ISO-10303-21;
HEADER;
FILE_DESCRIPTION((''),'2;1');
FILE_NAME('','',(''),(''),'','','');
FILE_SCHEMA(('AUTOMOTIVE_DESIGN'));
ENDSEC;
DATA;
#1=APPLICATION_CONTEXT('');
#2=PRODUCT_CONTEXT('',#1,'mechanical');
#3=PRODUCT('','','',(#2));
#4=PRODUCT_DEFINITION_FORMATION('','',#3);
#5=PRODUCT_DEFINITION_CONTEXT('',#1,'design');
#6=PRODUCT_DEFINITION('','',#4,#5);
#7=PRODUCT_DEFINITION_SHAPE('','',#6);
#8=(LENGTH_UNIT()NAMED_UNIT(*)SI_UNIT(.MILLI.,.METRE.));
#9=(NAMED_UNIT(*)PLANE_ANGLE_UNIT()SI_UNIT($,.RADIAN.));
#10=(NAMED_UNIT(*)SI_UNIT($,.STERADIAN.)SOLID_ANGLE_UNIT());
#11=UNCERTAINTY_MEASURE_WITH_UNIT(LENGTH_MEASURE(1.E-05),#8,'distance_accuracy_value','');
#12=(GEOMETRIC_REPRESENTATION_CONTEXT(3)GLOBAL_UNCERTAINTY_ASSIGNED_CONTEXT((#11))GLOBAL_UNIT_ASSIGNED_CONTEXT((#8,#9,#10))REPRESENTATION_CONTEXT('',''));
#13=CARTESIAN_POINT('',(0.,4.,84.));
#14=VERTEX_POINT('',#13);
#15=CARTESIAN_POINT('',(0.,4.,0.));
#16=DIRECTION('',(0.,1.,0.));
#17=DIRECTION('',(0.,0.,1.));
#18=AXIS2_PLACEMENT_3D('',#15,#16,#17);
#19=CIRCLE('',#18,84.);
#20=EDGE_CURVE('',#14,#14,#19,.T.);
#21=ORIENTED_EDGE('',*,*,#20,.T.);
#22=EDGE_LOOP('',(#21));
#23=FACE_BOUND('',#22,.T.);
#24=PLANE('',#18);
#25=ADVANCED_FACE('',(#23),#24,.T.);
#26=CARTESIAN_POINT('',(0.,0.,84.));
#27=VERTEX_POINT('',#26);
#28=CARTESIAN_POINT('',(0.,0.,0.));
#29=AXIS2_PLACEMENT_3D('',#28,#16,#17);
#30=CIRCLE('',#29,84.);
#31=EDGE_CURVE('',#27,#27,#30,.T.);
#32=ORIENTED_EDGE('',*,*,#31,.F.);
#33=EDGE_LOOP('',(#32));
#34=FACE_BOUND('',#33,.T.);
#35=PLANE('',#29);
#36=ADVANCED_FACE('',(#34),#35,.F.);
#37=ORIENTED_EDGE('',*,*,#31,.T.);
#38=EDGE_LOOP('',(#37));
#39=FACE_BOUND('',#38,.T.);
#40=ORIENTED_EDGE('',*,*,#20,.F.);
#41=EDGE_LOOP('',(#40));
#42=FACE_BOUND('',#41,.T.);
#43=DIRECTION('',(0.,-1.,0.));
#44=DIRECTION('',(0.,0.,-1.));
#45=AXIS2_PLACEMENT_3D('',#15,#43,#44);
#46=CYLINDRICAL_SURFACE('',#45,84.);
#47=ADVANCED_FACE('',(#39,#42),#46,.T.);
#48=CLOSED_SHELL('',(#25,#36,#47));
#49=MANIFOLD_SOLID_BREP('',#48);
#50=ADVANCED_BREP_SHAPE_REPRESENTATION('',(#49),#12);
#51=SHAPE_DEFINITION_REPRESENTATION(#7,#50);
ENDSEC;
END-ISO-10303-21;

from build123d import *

# Parameters (mm, degrees)
ESBO_O1_R                = 84
RESSALTO_EXTRUS_O1_DEPTH = 4


with BuildPart() as part:
    # Esboço1 → Ressalto-extrusão1 (new body)
    with BuildSketch(Plane(origin=(0, 0, 0), x_dir=(1, 0, 0), z_dir=(0, 1, 0))):
        Circle(ESBO_O1_R)
    extrude(amount=RESSALTO_EXTRUS_O1_DEPTH)


solid = part.part
